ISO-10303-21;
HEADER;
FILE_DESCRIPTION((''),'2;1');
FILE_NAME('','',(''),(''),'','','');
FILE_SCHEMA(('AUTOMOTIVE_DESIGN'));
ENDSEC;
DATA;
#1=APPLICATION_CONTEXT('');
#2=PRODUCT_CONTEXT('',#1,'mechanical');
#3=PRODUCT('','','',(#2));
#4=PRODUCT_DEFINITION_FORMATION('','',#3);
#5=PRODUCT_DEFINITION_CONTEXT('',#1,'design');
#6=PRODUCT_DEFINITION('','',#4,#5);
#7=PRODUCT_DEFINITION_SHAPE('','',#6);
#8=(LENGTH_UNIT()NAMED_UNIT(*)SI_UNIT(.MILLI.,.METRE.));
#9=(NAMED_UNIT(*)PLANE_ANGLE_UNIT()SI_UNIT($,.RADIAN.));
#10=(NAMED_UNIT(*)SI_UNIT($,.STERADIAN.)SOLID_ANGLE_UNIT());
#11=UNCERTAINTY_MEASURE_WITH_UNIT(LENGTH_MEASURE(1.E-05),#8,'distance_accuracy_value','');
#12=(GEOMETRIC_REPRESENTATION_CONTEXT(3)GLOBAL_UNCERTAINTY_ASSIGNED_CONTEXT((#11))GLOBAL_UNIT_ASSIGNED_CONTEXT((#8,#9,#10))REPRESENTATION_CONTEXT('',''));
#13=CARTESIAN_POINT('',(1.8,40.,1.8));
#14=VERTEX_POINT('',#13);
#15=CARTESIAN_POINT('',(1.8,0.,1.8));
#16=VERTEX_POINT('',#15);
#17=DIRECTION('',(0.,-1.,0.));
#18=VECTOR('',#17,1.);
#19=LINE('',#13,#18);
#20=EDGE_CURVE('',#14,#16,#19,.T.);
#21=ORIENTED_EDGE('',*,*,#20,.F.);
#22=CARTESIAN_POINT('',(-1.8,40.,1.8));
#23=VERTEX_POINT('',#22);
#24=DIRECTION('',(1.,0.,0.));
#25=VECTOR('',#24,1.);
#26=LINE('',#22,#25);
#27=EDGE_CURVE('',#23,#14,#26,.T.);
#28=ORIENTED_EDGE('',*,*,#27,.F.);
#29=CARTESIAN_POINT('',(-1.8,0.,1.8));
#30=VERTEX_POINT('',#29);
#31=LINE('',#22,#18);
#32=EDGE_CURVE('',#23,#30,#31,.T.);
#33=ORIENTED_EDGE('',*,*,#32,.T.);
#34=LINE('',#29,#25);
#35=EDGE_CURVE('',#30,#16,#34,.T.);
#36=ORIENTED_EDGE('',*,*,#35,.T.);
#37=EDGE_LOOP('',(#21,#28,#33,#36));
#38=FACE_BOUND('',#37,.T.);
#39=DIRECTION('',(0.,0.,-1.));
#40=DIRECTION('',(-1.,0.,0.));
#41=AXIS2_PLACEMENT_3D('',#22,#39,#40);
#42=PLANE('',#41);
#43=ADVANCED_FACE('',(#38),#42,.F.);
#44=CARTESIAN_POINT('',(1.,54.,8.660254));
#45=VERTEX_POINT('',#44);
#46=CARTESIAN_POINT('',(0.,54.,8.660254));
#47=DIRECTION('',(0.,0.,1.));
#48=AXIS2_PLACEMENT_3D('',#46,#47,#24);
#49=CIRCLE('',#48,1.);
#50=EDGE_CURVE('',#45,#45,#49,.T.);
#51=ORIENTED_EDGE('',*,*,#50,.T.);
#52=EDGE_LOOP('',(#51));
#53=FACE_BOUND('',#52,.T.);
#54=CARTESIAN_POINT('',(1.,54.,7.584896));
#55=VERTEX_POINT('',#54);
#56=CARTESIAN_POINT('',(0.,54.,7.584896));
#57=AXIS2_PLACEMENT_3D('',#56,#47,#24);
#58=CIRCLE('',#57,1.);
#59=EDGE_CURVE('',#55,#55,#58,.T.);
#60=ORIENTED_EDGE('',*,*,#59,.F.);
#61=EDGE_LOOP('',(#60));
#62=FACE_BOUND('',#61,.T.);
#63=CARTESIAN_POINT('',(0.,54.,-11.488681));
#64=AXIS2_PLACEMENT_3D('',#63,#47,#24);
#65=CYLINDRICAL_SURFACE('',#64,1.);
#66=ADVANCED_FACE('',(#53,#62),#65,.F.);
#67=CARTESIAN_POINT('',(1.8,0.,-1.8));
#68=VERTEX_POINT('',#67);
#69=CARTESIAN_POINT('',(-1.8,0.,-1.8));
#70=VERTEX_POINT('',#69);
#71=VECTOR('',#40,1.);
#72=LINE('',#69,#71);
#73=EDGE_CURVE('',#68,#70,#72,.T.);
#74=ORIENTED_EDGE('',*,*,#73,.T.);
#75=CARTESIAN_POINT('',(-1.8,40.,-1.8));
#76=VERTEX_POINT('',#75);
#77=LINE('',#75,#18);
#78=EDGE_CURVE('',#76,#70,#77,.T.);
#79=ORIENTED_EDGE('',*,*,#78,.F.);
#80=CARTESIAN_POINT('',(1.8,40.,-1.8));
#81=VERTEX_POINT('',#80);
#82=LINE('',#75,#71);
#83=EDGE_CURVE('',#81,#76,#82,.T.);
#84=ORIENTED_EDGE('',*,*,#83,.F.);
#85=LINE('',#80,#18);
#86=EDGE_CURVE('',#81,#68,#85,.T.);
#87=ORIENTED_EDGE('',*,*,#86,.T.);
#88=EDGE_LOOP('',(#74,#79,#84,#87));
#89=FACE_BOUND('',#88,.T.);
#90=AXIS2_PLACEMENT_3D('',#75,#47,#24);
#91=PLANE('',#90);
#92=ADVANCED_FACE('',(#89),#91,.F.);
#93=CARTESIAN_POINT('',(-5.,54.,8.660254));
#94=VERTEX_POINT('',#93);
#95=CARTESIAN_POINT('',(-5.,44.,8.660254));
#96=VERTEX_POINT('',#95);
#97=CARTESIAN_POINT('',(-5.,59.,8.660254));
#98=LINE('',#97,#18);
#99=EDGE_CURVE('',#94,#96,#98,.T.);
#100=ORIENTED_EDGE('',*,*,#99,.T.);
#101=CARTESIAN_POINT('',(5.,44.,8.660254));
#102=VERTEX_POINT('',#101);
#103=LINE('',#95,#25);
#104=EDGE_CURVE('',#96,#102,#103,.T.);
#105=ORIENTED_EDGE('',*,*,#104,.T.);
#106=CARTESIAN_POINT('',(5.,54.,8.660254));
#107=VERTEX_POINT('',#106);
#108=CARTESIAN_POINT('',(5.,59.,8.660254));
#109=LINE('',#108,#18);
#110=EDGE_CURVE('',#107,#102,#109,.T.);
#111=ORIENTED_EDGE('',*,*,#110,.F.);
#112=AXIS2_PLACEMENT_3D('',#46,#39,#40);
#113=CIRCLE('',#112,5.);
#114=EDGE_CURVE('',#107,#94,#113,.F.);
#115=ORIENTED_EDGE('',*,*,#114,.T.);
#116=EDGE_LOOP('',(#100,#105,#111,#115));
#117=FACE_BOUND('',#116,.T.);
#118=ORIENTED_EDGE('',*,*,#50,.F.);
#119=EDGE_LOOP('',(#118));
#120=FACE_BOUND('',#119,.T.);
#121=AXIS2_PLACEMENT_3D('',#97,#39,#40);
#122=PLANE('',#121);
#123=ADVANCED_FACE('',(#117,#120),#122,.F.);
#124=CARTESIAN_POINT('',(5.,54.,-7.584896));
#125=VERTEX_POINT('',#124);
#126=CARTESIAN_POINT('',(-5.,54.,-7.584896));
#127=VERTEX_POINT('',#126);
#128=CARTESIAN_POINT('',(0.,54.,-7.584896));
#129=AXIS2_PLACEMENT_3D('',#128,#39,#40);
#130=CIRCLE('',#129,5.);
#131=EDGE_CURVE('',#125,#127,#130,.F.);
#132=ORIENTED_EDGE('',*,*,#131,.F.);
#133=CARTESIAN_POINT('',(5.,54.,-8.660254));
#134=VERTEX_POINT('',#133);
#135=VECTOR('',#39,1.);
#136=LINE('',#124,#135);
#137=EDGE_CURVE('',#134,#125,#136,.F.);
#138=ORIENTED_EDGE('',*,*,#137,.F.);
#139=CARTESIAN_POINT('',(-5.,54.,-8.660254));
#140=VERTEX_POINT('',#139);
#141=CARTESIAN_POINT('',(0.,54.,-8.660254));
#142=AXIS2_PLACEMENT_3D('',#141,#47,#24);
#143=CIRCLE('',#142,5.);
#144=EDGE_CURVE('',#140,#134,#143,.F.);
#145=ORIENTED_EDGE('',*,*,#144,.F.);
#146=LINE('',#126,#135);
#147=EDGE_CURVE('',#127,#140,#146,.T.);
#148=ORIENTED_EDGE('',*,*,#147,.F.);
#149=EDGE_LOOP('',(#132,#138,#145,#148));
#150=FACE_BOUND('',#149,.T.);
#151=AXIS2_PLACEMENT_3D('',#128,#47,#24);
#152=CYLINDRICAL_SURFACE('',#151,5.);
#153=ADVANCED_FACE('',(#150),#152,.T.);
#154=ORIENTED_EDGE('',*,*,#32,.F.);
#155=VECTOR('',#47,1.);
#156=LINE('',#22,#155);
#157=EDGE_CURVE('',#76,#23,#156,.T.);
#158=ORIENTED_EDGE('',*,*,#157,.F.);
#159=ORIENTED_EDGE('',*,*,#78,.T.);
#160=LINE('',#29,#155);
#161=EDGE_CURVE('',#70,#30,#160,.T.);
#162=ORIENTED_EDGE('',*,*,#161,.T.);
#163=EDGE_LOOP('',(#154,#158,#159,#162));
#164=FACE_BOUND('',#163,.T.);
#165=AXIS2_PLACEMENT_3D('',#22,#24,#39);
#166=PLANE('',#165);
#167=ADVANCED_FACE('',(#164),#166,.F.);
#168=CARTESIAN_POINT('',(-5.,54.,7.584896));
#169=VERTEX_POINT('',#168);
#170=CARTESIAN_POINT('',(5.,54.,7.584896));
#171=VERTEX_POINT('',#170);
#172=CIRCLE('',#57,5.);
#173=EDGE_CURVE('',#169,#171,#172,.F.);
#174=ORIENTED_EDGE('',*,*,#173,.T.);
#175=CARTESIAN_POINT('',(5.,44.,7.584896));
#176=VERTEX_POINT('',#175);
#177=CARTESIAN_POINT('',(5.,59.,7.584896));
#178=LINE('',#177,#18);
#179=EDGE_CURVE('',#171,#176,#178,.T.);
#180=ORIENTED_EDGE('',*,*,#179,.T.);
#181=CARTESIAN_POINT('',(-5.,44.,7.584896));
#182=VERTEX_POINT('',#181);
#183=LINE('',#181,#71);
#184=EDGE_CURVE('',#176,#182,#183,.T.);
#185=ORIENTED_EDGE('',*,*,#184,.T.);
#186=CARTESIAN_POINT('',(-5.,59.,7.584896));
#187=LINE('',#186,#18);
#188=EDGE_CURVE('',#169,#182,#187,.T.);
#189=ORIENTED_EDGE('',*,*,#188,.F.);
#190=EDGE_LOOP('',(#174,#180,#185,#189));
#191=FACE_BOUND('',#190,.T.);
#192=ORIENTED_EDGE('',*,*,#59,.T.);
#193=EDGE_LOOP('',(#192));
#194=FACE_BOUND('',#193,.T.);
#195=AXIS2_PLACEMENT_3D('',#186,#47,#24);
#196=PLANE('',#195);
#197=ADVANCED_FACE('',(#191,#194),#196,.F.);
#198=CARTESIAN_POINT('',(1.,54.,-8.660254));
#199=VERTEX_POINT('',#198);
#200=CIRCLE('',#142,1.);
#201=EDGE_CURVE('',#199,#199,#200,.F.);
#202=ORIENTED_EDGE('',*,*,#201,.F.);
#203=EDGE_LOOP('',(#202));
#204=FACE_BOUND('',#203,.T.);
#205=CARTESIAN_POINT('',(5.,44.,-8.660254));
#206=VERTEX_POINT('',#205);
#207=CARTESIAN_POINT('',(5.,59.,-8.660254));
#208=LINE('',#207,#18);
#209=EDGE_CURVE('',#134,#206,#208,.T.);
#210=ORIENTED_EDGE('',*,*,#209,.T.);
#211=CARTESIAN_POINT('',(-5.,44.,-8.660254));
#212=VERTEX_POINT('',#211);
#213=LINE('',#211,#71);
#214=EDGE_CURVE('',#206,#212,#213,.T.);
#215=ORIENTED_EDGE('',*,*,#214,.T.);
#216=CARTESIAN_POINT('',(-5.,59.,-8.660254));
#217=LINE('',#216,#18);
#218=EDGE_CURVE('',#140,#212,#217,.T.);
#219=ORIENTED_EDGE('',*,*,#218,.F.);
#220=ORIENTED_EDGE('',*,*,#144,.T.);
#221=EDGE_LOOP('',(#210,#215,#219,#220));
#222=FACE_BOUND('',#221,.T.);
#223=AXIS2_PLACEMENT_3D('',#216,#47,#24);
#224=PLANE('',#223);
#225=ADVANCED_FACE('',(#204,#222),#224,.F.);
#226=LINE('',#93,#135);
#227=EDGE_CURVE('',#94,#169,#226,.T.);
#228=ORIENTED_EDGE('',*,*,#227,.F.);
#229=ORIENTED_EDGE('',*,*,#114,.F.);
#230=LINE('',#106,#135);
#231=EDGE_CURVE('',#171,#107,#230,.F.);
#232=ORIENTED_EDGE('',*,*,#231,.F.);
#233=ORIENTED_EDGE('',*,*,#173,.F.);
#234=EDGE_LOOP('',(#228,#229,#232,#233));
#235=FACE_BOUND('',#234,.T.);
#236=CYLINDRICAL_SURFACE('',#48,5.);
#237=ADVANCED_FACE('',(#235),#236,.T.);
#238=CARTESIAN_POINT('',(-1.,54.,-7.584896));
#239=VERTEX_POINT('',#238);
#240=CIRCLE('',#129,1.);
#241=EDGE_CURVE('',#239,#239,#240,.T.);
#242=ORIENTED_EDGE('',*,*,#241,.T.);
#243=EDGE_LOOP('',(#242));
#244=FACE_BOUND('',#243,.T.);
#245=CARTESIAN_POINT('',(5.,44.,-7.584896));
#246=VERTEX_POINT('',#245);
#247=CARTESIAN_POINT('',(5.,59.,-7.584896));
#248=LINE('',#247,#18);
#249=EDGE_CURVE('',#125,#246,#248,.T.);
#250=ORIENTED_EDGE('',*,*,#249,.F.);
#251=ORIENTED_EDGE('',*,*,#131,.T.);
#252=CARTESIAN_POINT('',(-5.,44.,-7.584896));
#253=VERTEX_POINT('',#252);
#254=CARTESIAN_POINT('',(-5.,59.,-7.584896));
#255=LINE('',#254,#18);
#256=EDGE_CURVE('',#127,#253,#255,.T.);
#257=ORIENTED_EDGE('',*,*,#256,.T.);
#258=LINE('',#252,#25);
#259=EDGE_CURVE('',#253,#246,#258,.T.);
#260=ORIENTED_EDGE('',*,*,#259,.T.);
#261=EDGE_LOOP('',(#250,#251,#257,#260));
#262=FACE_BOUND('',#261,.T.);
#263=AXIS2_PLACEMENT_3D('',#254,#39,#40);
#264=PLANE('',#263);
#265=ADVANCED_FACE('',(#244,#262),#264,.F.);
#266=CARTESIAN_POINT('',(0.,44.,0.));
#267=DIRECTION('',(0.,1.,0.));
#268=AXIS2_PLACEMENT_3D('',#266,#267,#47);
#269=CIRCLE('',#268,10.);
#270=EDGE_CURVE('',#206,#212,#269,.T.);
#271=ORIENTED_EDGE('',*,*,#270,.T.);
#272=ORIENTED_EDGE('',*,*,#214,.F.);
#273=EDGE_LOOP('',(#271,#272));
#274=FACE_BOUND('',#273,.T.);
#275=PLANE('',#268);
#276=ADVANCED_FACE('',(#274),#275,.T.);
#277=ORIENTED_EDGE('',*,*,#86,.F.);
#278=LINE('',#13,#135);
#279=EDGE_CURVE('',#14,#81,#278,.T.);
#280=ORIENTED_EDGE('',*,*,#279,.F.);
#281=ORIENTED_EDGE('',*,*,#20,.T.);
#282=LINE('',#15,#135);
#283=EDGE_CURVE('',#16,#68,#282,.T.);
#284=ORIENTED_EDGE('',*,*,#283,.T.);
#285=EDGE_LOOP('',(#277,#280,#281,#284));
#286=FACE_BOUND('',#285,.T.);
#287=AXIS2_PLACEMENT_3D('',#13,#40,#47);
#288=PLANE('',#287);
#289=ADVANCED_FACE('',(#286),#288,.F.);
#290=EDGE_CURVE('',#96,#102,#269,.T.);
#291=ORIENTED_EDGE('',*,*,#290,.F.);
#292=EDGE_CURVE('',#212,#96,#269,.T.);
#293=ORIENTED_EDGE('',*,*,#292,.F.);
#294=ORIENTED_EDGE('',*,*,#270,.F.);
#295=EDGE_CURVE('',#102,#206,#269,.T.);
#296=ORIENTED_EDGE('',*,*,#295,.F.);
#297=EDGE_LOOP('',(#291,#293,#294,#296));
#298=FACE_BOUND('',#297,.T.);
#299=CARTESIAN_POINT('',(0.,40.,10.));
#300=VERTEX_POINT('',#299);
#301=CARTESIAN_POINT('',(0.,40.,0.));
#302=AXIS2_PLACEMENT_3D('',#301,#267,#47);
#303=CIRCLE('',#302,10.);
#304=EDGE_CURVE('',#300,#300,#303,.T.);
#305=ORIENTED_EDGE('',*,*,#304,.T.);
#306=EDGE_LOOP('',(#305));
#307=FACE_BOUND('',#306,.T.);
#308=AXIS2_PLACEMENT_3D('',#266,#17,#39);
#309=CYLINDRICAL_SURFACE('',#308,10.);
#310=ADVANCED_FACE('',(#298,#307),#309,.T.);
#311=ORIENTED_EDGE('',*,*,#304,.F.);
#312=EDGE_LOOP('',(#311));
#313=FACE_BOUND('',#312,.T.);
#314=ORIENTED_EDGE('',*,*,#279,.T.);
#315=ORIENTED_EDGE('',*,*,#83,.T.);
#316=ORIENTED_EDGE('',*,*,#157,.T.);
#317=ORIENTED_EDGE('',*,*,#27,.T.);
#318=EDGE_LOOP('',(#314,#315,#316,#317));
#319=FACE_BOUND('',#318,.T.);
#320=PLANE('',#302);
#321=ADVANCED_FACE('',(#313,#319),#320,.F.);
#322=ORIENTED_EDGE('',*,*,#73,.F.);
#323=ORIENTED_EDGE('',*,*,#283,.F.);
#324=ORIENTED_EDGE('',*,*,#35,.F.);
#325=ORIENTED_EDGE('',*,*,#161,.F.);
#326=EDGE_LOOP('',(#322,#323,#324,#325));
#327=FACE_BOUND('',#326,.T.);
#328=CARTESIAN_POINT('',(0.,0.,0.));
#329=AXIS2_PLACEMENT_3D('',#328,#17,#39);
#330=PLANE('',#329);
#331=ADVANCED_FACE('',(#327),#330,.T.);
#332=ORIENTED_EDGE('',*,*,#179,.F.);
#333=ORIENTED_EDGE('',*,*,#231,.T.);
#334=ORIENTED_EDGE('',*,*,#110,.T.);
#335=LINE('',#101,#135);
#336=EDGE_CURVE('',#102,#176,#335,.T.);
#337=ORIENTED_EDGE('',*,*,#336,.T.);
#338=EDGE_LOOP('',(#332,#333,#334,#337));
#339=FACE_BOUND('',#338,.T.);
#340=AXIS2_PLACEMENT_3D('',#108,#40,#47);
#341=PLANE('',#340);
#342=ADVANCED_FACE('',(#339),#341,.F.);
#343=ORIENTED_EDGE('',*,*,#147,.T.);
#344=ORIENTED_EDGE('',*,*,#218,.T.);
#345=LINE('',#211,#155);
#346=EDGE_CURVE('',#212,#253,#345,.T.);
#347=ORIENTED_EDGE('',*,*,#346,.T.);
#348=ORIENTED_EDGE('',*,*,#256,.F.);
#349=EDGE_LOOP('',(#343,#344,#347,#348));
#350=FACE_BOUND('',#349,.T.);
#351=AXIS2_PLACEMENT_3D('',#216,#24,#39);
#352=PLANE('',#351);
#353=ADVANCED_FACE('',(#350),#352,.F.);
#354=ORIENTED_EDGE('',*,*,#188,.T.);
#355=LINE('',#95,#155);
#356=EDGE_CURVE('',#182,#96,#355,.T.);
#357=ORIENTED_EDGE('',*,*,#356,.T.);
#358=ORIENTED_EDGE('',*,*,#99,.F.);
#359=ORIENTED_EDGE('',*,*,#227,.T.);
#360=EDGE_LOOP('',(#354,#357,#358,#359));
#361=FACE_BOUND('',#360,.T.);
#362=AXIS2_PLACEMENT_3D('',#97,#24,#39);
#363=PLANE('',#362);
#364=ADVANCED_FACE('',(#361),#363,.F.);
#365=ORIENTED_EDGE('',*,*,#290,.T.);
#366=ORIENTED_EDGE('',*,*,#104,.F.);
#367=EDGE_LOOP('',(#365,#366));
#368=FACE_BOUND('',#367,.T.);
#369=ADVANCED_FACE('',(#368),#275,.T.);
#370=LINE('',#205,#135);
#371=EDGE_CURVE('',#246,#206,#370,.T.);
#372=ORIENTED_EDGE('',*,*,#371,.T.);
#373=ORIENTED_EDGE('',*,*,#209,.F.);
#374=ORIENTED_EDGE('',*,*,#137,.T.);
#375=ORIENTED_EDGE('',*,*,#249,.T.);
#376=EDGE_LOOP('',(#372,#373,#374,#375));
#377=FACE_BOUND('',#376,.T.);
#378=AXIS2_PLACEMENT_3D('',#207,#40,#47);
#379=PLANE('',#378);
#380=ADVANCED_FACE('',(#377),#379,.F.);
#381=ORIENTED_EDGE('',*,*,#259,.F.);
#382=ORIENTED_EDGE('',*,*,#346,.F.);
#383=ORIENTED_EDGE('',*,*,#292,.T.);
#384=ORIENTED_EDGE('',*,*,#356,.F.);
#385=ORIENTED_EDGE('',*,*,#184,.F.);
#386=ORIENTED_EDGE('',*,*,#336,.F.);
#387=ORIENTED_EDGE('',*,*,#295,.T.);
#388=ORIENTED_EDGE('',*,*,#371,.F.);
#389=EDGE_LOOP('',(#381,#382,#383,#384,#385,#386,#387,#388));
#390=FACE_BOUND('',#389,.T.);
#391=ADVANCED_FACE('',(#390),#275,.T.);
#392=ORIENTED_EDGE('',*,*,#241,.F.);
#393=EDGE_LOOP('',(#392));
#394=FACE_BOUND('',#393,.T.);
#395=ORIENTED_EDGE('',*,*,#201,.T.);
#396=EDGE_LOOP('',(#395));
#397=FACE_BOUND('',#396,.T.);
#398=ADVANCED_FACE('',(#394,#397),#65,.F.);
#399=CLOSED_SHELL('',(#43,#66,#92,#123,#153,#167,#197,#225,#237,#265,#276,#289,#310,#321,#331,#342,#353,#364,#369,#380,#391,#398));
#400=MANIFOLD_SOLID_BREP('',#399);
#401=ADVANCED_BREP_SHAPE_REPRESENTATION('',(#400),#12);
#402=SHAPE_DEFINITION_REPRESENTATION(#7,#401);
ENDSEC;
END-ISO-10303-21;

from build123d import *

# Parameters (mm, degrees)
SKETCH2_W           = 3.6
SKETCH2_H           = 3.6
BOSS_EXTRUDE1_DEPTH = 40
SKETCH3_R           = 10
BOSS_EXTRUDE2_DEPTH = 4
SKETCH5_W           = 10
SKETCH5_H           = 1.075357982
BOSS_EXTRUDE3_DEPTH = 15
FILLET3_RADIUS      = 5
FILLET3_LENGTH      = 1.075357982
FILLET4_RADIUS      = 5
FILLET4_LENGTH      = 1.075357982
CUT_EXTRUDE1_REACH  = 64.683
SKETCH6_R           = 1


with BuildPart() as part:
    # Sketch2 → Boss-Extrude1 (new body)
    with BuildSketch(Plane(origin=(0, 0, 0), x_dir=(1, 0, 0), z_dir=(0, 1, 0))):
        Rectangle(SKETCH2_W, SKETCH2_H)
    extrude(amount=BOSS_EXTRUDE1_DEPTH)

    # Sketch3 → Boss-Extrude2 (add)
    with BuildSketch(Plane(origin=(0, 40, 0), x_dir=(1, 0, 0), z_dir=(0, 1, 0))):
        with Locations(Location((0, 0, 0), (0, 0, 270))):
            Circle(SKETCH3_R)
    extrude(amount=BOSS_EXTRUDE2_DEPTH)

    # Sketch5 → Boss-Extrude3 (add)
    with BuildSketch(Plane(origin=(0, 44, 0), x_dir=(1, 0, 0), z_dir=(0, 1, 0))):
        with Locations((0, 8.122575047)):
            Rectangle(SKETCH5_W, SKETCH5_H)
        with Locations((0, -8.122575047)):
            Rectangle(SKETCH5_W, SKETCH5_H)
    extrude(amount=BOSS_EXTRUDE3_DEPTH)

    # Fillet3: full round fillet: the end face becomes a half cylinder, R = half its width
    fillet3_face = Plane((0, 59, 8.122575047), x_dir=(0, 0, -1), z_dir=(0, 1, 0))  # on the end face: x along it, z out of the body
    fillet3_slab = fillet3_face.offset(-FILLET3_RADIUS / 2) * Box(FILLET3_LENGTH, 2 * FILLET3_RADIUS, FILLET3_RADIUS, mode=Mode.PRIVATE)  # the body's end, R deep
    fillet3_round = Plane((0, 54, 8.122575047), x_dir=(0, 1, 0), z_dir=(0, 0, -1)) * Cylinder(FILLET3_RADIUS, FILLET3_LENGTH, mode=Mode.PRIVATE)  # its axis R under the face
    add(fillet3_slab - fillet3_round, mode=Mode.SUBTRACT)

    # Fillet4: full round fillet: the end face becomes a half cylinder, R = half its width
    fillet4_face = Plane((0, 59, -8.122575047), x_dir=(0, 0, 1), z_dir=(0, 1, 0))  # on the end face: x along it, z out of the body
    fillet4_slab = fillet4_face.offset(-FILLET4_RADIUS / 2) * Box(FILLET4_LENGTH, 2 * FILLET4_RADIUS, FILLET4_RADIUS, mode=Mode.PRIVATE)  # the body's end, R deep
    fillet4_round = Plane((0, 54, -8.122575047), x_dir=(0, 1, 0), z_dir=(0, 0, 1)) * Cylinder(FILLET4_RADIUS, FILLET4_LENGTH, mode=Mode.PRIVATE)  # its axis R under the face
    add(fillet4_slab - fillet4_round, mode=Mode.SUBTRACT)

    # Cut-Extrude1: up to this face of the body (flat: up to its plane)
    cut_extrude1_end = Plane(part.part.faces().sort_by_distance((0, 51.008207501, -8.660254038))[0])
    # Sketch6 → Cut-Extrude1 (cut, up to the picked face)
    with BuildSketch(Plane.XY.offset(8.660254038), mode=Mode.PRIVATE) as cut_extrude1_sk1:
        with Locations((0, 54)):
            Circle(SKETCH6_R)
    cut_extrude1_tool1 = split(extrude(cut_extrude1_sk1.sketch, amount=-CUT_EXTRUDE1_REACH, mode=Mode.PRIVATE), bisect_by=cut_extrude1_end, keep=Keep.BOTH, mode=Mode.PRIVATE)
    add(cut_extrude1_tool1.solids().sort_by(Axis((0, 54, 8.660254), (0, 0, -1)))[0], mode=Mode.SUBTRACT)


solid = part.part
